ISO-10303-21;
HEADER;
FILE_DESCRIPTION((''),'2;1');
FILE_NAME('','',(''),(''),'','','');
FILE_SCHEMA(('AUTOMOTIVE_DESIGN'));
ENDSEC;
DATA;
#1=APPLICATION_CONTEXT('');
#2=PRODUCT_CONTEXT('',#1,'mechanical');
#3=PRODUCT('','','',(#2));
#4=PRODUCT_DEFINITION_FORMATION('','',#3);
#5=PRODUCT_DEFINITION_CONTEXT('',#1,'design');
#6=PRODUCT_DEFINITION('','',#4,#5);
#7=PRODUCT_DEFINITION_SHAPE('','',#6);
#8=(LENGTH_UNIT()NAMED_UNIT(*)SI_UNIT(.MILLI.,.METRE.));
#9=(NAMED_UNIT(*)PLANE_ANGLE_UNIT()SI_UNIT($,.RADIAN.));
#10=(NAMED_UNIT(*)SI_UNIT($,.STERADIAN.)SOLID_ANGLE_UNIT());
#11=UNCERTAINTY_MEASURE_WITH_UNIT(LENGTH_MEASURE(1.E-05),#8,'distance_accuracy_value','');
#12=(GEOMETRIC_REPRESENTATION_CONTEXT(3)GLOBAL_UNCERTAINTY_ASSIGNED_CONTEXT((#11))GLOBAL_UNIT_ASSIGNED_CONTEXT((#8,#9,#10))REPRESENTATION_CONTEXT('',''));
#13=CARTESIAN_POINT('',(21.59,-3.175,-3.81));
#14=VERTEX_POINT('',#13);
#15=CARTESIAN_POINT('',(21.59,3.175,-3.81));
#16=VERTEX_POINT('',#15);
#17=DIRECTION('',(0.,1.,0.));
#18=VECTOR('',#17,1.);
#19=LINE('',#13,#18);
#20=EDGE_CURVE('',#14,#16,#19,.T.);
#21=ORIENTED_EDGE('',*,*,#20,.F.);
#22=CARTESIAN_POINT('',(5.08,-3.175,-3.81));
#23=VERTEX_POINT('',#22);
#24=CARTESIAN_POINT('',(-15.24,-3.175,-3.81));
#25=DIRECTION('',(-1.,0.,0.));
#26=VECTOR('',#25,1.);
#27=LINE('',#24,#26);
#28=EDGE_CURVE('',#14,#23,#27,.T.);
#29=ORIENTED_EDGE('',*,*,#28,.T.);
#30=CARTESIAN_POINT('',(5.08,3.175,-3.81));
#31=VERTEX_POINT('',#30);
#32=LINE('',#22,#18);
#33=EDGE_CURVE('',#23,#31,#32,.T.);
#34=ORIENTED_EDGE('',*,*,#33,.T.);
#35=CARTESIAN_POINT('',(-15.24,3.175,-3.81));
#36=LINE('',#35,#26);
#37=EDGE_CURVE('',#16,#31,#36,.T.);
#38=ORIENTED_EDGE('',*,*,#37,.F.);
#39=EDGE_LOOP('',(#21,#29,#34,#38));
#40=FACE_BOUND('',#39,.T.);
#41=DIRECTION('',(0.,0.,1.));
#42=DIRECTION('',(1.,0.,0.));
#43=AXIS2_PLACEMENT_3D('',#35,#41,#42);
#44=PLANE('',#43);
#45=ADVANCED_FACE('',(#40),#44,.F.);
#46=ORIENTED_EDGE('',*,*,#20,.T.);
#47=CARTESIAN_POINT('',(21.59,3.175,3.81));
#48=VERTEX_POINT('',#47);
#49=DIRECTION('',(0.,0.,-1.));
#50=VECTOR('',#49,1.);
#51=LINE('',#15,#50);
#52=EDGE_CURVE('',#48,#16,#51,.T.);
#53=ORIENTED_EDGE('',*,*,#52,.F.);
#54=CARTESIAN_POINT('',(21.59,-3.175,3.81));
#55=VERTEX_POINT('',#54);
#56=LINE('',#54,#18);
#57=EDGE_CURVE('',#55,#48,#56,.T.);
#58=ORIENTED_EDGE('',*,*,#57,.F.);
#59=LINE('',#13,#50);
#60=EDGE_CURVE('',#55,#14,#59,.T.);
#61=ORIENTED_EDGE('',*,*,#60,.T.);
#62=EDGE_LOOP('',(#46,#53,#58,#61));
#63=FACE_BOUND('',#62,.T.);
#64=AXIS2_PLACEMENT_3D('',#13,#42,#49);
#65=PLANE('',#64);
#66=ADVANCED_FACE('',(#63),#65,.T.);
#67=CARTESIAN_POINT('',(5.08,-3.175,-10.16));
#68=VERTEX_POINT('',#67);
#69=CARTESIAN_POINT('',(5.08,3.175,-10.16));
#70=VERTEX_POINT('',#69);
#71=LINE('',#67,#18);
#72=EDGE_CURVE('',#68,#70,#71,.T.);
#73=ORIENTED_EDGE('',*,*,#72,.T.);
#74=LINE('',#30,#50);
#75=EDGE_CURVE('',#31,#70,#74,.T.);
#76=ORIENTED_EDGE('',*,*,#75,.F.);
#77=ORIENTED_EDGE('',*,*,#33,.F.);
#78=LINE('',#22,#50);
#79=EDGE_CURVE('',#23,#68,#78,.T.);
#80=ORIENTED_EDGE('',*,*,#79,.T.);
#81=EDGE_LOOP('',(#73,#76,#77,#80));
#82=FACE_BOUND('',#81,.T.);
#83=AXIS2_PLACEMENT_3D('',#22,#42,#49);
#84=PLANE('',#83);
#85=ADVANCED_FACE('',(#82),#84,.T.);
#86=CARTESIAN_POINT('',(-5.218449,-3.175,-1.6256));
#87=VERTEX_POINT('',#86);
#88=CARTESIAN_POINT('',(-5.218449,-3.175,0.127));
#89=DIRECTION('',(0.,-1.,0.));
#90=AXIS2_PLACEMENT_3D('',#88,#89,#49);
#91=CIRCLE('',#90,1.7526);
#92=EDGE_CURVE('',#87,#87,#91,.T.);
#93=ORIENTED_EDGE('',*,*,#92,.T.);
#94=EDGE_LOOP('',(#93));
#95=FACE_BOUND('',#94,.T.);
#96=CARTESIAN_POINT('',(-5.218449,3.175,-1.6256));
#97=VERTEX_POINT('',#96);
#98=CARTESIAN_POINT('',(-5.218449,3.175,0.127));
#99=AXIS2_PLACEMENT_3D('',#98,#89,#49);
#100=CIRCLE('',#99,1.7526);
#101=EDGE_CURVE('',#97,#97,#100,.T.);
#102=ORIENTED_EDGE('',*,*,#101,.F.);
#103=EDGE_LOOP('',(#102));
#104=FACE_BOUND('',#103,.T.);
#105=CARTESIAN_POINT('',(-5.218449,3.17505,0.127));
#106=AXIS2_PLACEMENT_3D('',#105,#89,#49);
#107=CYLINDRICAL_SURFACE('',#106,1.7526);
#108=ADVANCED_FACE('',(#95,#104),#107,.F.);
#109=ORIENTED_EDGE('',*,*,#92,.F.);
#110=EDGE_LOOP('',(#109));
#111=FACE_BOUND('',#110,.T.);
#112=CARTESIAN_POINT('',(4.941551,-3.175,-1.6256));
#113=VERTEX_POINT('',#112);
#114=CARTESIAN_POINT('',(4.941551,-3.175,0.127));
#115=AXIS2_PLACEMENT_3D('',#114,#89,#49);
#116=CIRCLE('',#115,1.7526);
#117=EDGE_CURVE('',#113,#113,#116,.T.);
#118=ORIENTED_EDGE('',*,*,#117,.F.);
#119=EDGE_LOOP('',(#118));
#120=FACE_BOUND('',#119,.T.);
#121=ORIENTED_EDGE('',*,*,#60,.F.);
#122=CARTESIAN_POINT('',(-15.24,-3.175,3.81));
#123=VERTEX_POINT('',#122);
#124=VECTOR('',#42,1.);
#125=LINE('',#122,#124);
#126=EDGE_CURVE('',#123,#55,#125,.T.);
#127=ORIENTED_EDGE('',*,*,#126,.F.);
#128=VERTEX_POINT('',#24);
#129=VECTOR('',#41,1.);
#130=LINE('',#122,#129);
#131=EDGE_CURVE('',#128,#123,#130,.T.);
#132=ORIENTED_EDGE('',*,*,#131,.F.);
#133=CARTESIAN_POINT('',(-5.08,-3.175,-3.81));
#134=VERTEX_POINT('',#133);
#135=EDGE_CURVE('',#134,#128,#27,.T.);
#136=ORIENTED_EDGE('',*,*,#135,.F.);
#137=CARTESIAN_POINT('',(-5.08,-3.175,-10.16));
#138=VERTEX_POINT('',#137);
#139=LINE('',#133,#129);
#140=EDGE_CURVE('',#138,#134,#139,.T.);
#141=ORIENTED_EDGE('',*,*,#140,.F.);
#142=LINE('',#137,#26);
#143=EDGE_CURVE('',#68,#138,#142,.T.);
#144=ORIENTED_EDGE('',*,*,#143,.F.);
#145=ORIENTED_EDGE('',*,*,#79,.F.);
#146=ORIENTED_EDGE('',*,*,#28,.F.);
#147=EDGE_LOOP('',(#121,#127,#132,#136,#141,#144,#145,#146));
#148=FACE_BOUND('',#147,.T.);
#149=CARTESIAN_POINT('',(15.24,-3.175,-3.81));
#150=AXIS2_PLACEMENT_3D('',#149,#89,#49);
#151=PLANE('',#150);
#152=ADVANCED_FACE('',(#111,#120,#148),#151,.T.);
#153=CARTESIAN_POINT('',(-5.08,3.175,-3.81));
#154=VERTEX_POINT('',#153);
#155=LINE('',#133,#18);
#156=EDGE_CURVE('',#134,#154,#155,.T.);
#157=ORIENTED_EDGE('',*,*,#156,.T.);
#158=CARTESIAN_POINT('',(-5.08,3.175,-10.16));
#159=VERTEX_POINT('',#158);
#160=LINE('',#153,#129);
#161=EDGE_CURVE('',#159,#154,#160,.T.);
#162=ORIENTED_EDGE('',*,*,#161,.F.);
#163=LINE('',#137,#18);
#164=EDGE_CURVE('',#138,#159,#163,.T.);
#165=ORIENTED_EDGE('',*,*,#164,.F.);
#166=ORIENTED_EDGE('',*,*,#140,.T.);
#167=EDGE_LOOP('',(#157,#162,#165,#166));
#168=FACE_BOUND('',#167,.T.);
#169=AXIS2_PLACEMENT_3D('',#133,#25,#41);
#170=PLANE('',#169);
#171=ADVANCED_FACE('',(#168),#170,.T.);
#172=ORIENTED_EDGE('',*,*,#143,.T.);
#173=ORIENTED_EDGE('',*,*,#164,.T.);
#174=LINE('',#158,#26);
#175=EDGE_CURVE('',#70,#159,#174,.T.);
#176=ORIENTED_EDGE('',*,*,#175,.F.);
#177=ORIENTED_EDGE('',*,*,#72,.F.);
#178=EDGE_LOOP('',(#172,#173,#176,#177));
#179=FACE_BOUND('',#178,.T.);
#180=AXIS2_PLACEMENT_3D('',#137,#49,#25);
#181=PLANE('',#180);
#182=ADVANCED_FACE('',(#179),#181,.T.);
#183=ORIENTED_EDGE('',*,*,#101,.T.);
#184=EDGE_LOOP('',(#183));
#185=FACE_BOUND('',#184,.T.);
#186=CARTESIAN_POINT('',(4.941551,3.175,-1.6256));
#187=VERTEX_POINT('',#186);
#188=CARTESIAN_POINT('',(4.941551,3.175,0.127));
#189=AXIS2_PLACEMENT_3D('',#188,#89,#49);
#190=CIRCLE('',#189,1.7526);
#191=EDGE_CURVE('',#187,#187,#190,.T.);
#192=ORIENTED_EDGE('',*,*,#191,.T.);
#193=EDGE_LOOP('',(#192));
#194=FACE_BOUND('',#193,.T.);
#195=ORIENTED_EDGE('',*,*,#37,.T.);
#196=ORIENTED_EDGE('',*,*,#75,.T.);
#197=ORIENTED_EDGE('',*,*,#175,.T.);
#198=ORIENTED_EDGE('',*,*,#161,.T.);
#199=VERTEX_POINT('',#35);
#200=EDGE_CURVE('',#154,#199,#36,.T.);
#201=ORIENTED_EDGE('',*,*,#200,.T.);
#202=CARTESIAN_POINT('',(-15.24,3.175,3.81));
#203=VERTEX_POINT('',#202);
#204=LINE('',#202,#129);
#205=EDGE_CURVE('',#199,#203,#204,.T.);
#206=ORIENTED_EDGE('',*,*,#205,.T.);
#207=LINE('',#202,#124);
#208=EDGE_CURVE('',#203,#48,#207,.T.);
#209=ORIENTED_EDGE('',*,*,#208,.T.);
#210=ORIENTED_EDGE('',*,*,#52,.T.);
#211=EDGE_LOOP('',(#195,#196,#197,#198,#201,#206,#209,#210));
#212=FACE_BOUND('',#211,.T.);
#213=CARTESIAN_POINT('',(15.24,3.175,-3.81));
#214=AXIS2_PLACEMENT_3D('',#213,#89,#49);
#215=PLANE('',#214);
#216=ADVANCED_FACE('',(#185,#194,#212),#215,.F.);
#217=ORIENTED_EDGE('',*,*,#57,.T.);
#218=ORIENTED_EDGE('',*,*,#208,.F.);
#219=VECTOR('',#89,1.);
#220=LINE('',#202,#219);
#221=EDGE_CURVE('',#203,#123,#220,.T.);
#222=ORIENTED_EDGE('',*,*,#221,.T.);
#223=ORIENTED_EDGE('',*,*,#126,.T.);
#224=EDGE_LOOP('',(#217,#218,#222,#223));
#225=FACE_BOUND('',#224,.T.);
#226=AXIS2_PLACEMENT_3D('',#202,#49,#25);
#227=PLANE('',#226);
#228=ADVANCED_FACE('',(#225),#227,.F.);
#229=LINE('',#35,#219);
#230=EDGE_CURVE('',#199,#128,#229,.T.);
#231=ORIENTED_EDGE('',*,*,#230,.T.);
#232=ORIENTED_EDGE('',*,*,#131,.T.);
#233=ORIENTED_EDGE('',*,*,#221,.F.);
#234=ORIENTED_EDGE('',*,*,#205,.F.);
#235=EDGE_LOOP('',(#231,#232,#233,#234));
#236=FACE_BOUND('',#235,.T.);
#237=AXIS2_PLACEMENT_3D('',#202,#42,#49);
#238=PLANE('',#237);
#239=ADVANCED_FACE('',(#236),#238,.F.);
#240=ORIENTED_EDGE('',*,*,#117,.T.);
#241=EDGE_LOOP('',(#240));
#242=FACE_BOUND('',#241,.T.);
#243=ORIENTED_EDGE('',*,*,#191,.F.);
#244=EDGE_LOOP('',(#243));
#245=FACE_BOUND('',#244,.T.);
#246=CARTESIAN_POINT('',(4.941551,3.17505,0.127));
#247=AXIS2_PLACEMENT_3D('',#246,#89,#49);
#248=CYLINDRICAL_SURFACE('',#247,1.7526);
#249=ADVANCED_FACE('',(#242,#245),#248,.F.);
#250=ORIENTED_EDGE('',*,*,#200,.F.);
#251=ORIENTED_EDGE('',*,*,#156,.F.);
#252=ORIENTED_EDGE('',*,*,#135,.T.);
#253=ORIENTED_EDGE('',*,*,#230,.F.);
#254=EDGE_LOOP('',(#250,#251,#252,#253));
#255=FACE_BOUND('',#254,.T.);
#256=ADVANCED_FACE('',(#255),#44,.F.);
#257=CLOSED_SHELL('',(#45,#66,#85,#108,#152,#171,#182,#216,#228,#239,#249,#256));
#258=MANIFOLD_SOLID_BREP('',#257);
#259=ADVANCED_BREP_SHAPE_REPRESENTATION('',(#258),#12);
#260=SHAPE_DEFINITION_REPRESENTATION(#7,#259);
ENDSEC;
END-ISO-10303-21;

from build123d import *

# Parameters (mm, degrees)
SKETCH1_W           = 30.48
SKETCH1_H           = 7.62
BOSS_EXTRUDE1_DEPTH = 3.175
SKETCH2_W           = 10.16
SKETCH2_H           = 6.35
BOSS_EXTRUDE2_DEPTH = 6.35
SKETCH3_W           = 6.35
SKETCH3_H           = 7.62
BOSS_EXTRUDE3_DEPTH = 6.35
SKETCH6_R           = 1.7526
CUT_EXTRUDE1_DEPTH  = 7.35


with BuildPart() as part:
    # Sketch1 → Boss-Extrude1 (new body, symmetric)
    with BuildSketch(Plane(origin=(0, 0, 0), x_dir=(1, 0, 0), z_dir=(0, 1, 0))):
        Rectangle(SKETCH1_W, SKETCH1_H)
    extrude(amount=BOSS_EXTRUDE1_DEPTH, both=True)

    # Sketch2 → Boss-Extrude2 (add)
    with BuildSketch(Plane(origin=(0, 3.175, 0), x_dir=(1, 0, 0), z_dir=(0, 1, 0))):
        with Locations((0, 6.985)):
            Rectangle(SKETCH2_W, SKETCH2_H)
    extrude(amount=-BOSS_EXTRUDE2_DEPTH)

    # Sketch3 → Boss-Extrude3 (add)
    with BuildSketch(Plane(origin=(0, 3.175, 0), x_dir=(1, 0, 0), z_dir=(0, 1, 0))):
        with Locations((18.415, 0)):
            Rectangle(SKETCH3_W, SKETCH3_H)
    extrude(amount=-BOSS_EXTRUDE3_DEPTH)

    # Sketch6 → Cut-Extrude1 (cut, through all)
    with BuildSketch(Plane.XZ.offset(3.175)):
        with Locations((4.941550795, 0.127)):
            Circle(SKETCH6_R)
        with Locations((-5.218449205, 0.127)):
            Circle(SKETCH6_R)
    extrude(amount=-CUT_EXTRUDE1_DEPTH, mode=Mode.SUBTRACT)


solid = part.part
